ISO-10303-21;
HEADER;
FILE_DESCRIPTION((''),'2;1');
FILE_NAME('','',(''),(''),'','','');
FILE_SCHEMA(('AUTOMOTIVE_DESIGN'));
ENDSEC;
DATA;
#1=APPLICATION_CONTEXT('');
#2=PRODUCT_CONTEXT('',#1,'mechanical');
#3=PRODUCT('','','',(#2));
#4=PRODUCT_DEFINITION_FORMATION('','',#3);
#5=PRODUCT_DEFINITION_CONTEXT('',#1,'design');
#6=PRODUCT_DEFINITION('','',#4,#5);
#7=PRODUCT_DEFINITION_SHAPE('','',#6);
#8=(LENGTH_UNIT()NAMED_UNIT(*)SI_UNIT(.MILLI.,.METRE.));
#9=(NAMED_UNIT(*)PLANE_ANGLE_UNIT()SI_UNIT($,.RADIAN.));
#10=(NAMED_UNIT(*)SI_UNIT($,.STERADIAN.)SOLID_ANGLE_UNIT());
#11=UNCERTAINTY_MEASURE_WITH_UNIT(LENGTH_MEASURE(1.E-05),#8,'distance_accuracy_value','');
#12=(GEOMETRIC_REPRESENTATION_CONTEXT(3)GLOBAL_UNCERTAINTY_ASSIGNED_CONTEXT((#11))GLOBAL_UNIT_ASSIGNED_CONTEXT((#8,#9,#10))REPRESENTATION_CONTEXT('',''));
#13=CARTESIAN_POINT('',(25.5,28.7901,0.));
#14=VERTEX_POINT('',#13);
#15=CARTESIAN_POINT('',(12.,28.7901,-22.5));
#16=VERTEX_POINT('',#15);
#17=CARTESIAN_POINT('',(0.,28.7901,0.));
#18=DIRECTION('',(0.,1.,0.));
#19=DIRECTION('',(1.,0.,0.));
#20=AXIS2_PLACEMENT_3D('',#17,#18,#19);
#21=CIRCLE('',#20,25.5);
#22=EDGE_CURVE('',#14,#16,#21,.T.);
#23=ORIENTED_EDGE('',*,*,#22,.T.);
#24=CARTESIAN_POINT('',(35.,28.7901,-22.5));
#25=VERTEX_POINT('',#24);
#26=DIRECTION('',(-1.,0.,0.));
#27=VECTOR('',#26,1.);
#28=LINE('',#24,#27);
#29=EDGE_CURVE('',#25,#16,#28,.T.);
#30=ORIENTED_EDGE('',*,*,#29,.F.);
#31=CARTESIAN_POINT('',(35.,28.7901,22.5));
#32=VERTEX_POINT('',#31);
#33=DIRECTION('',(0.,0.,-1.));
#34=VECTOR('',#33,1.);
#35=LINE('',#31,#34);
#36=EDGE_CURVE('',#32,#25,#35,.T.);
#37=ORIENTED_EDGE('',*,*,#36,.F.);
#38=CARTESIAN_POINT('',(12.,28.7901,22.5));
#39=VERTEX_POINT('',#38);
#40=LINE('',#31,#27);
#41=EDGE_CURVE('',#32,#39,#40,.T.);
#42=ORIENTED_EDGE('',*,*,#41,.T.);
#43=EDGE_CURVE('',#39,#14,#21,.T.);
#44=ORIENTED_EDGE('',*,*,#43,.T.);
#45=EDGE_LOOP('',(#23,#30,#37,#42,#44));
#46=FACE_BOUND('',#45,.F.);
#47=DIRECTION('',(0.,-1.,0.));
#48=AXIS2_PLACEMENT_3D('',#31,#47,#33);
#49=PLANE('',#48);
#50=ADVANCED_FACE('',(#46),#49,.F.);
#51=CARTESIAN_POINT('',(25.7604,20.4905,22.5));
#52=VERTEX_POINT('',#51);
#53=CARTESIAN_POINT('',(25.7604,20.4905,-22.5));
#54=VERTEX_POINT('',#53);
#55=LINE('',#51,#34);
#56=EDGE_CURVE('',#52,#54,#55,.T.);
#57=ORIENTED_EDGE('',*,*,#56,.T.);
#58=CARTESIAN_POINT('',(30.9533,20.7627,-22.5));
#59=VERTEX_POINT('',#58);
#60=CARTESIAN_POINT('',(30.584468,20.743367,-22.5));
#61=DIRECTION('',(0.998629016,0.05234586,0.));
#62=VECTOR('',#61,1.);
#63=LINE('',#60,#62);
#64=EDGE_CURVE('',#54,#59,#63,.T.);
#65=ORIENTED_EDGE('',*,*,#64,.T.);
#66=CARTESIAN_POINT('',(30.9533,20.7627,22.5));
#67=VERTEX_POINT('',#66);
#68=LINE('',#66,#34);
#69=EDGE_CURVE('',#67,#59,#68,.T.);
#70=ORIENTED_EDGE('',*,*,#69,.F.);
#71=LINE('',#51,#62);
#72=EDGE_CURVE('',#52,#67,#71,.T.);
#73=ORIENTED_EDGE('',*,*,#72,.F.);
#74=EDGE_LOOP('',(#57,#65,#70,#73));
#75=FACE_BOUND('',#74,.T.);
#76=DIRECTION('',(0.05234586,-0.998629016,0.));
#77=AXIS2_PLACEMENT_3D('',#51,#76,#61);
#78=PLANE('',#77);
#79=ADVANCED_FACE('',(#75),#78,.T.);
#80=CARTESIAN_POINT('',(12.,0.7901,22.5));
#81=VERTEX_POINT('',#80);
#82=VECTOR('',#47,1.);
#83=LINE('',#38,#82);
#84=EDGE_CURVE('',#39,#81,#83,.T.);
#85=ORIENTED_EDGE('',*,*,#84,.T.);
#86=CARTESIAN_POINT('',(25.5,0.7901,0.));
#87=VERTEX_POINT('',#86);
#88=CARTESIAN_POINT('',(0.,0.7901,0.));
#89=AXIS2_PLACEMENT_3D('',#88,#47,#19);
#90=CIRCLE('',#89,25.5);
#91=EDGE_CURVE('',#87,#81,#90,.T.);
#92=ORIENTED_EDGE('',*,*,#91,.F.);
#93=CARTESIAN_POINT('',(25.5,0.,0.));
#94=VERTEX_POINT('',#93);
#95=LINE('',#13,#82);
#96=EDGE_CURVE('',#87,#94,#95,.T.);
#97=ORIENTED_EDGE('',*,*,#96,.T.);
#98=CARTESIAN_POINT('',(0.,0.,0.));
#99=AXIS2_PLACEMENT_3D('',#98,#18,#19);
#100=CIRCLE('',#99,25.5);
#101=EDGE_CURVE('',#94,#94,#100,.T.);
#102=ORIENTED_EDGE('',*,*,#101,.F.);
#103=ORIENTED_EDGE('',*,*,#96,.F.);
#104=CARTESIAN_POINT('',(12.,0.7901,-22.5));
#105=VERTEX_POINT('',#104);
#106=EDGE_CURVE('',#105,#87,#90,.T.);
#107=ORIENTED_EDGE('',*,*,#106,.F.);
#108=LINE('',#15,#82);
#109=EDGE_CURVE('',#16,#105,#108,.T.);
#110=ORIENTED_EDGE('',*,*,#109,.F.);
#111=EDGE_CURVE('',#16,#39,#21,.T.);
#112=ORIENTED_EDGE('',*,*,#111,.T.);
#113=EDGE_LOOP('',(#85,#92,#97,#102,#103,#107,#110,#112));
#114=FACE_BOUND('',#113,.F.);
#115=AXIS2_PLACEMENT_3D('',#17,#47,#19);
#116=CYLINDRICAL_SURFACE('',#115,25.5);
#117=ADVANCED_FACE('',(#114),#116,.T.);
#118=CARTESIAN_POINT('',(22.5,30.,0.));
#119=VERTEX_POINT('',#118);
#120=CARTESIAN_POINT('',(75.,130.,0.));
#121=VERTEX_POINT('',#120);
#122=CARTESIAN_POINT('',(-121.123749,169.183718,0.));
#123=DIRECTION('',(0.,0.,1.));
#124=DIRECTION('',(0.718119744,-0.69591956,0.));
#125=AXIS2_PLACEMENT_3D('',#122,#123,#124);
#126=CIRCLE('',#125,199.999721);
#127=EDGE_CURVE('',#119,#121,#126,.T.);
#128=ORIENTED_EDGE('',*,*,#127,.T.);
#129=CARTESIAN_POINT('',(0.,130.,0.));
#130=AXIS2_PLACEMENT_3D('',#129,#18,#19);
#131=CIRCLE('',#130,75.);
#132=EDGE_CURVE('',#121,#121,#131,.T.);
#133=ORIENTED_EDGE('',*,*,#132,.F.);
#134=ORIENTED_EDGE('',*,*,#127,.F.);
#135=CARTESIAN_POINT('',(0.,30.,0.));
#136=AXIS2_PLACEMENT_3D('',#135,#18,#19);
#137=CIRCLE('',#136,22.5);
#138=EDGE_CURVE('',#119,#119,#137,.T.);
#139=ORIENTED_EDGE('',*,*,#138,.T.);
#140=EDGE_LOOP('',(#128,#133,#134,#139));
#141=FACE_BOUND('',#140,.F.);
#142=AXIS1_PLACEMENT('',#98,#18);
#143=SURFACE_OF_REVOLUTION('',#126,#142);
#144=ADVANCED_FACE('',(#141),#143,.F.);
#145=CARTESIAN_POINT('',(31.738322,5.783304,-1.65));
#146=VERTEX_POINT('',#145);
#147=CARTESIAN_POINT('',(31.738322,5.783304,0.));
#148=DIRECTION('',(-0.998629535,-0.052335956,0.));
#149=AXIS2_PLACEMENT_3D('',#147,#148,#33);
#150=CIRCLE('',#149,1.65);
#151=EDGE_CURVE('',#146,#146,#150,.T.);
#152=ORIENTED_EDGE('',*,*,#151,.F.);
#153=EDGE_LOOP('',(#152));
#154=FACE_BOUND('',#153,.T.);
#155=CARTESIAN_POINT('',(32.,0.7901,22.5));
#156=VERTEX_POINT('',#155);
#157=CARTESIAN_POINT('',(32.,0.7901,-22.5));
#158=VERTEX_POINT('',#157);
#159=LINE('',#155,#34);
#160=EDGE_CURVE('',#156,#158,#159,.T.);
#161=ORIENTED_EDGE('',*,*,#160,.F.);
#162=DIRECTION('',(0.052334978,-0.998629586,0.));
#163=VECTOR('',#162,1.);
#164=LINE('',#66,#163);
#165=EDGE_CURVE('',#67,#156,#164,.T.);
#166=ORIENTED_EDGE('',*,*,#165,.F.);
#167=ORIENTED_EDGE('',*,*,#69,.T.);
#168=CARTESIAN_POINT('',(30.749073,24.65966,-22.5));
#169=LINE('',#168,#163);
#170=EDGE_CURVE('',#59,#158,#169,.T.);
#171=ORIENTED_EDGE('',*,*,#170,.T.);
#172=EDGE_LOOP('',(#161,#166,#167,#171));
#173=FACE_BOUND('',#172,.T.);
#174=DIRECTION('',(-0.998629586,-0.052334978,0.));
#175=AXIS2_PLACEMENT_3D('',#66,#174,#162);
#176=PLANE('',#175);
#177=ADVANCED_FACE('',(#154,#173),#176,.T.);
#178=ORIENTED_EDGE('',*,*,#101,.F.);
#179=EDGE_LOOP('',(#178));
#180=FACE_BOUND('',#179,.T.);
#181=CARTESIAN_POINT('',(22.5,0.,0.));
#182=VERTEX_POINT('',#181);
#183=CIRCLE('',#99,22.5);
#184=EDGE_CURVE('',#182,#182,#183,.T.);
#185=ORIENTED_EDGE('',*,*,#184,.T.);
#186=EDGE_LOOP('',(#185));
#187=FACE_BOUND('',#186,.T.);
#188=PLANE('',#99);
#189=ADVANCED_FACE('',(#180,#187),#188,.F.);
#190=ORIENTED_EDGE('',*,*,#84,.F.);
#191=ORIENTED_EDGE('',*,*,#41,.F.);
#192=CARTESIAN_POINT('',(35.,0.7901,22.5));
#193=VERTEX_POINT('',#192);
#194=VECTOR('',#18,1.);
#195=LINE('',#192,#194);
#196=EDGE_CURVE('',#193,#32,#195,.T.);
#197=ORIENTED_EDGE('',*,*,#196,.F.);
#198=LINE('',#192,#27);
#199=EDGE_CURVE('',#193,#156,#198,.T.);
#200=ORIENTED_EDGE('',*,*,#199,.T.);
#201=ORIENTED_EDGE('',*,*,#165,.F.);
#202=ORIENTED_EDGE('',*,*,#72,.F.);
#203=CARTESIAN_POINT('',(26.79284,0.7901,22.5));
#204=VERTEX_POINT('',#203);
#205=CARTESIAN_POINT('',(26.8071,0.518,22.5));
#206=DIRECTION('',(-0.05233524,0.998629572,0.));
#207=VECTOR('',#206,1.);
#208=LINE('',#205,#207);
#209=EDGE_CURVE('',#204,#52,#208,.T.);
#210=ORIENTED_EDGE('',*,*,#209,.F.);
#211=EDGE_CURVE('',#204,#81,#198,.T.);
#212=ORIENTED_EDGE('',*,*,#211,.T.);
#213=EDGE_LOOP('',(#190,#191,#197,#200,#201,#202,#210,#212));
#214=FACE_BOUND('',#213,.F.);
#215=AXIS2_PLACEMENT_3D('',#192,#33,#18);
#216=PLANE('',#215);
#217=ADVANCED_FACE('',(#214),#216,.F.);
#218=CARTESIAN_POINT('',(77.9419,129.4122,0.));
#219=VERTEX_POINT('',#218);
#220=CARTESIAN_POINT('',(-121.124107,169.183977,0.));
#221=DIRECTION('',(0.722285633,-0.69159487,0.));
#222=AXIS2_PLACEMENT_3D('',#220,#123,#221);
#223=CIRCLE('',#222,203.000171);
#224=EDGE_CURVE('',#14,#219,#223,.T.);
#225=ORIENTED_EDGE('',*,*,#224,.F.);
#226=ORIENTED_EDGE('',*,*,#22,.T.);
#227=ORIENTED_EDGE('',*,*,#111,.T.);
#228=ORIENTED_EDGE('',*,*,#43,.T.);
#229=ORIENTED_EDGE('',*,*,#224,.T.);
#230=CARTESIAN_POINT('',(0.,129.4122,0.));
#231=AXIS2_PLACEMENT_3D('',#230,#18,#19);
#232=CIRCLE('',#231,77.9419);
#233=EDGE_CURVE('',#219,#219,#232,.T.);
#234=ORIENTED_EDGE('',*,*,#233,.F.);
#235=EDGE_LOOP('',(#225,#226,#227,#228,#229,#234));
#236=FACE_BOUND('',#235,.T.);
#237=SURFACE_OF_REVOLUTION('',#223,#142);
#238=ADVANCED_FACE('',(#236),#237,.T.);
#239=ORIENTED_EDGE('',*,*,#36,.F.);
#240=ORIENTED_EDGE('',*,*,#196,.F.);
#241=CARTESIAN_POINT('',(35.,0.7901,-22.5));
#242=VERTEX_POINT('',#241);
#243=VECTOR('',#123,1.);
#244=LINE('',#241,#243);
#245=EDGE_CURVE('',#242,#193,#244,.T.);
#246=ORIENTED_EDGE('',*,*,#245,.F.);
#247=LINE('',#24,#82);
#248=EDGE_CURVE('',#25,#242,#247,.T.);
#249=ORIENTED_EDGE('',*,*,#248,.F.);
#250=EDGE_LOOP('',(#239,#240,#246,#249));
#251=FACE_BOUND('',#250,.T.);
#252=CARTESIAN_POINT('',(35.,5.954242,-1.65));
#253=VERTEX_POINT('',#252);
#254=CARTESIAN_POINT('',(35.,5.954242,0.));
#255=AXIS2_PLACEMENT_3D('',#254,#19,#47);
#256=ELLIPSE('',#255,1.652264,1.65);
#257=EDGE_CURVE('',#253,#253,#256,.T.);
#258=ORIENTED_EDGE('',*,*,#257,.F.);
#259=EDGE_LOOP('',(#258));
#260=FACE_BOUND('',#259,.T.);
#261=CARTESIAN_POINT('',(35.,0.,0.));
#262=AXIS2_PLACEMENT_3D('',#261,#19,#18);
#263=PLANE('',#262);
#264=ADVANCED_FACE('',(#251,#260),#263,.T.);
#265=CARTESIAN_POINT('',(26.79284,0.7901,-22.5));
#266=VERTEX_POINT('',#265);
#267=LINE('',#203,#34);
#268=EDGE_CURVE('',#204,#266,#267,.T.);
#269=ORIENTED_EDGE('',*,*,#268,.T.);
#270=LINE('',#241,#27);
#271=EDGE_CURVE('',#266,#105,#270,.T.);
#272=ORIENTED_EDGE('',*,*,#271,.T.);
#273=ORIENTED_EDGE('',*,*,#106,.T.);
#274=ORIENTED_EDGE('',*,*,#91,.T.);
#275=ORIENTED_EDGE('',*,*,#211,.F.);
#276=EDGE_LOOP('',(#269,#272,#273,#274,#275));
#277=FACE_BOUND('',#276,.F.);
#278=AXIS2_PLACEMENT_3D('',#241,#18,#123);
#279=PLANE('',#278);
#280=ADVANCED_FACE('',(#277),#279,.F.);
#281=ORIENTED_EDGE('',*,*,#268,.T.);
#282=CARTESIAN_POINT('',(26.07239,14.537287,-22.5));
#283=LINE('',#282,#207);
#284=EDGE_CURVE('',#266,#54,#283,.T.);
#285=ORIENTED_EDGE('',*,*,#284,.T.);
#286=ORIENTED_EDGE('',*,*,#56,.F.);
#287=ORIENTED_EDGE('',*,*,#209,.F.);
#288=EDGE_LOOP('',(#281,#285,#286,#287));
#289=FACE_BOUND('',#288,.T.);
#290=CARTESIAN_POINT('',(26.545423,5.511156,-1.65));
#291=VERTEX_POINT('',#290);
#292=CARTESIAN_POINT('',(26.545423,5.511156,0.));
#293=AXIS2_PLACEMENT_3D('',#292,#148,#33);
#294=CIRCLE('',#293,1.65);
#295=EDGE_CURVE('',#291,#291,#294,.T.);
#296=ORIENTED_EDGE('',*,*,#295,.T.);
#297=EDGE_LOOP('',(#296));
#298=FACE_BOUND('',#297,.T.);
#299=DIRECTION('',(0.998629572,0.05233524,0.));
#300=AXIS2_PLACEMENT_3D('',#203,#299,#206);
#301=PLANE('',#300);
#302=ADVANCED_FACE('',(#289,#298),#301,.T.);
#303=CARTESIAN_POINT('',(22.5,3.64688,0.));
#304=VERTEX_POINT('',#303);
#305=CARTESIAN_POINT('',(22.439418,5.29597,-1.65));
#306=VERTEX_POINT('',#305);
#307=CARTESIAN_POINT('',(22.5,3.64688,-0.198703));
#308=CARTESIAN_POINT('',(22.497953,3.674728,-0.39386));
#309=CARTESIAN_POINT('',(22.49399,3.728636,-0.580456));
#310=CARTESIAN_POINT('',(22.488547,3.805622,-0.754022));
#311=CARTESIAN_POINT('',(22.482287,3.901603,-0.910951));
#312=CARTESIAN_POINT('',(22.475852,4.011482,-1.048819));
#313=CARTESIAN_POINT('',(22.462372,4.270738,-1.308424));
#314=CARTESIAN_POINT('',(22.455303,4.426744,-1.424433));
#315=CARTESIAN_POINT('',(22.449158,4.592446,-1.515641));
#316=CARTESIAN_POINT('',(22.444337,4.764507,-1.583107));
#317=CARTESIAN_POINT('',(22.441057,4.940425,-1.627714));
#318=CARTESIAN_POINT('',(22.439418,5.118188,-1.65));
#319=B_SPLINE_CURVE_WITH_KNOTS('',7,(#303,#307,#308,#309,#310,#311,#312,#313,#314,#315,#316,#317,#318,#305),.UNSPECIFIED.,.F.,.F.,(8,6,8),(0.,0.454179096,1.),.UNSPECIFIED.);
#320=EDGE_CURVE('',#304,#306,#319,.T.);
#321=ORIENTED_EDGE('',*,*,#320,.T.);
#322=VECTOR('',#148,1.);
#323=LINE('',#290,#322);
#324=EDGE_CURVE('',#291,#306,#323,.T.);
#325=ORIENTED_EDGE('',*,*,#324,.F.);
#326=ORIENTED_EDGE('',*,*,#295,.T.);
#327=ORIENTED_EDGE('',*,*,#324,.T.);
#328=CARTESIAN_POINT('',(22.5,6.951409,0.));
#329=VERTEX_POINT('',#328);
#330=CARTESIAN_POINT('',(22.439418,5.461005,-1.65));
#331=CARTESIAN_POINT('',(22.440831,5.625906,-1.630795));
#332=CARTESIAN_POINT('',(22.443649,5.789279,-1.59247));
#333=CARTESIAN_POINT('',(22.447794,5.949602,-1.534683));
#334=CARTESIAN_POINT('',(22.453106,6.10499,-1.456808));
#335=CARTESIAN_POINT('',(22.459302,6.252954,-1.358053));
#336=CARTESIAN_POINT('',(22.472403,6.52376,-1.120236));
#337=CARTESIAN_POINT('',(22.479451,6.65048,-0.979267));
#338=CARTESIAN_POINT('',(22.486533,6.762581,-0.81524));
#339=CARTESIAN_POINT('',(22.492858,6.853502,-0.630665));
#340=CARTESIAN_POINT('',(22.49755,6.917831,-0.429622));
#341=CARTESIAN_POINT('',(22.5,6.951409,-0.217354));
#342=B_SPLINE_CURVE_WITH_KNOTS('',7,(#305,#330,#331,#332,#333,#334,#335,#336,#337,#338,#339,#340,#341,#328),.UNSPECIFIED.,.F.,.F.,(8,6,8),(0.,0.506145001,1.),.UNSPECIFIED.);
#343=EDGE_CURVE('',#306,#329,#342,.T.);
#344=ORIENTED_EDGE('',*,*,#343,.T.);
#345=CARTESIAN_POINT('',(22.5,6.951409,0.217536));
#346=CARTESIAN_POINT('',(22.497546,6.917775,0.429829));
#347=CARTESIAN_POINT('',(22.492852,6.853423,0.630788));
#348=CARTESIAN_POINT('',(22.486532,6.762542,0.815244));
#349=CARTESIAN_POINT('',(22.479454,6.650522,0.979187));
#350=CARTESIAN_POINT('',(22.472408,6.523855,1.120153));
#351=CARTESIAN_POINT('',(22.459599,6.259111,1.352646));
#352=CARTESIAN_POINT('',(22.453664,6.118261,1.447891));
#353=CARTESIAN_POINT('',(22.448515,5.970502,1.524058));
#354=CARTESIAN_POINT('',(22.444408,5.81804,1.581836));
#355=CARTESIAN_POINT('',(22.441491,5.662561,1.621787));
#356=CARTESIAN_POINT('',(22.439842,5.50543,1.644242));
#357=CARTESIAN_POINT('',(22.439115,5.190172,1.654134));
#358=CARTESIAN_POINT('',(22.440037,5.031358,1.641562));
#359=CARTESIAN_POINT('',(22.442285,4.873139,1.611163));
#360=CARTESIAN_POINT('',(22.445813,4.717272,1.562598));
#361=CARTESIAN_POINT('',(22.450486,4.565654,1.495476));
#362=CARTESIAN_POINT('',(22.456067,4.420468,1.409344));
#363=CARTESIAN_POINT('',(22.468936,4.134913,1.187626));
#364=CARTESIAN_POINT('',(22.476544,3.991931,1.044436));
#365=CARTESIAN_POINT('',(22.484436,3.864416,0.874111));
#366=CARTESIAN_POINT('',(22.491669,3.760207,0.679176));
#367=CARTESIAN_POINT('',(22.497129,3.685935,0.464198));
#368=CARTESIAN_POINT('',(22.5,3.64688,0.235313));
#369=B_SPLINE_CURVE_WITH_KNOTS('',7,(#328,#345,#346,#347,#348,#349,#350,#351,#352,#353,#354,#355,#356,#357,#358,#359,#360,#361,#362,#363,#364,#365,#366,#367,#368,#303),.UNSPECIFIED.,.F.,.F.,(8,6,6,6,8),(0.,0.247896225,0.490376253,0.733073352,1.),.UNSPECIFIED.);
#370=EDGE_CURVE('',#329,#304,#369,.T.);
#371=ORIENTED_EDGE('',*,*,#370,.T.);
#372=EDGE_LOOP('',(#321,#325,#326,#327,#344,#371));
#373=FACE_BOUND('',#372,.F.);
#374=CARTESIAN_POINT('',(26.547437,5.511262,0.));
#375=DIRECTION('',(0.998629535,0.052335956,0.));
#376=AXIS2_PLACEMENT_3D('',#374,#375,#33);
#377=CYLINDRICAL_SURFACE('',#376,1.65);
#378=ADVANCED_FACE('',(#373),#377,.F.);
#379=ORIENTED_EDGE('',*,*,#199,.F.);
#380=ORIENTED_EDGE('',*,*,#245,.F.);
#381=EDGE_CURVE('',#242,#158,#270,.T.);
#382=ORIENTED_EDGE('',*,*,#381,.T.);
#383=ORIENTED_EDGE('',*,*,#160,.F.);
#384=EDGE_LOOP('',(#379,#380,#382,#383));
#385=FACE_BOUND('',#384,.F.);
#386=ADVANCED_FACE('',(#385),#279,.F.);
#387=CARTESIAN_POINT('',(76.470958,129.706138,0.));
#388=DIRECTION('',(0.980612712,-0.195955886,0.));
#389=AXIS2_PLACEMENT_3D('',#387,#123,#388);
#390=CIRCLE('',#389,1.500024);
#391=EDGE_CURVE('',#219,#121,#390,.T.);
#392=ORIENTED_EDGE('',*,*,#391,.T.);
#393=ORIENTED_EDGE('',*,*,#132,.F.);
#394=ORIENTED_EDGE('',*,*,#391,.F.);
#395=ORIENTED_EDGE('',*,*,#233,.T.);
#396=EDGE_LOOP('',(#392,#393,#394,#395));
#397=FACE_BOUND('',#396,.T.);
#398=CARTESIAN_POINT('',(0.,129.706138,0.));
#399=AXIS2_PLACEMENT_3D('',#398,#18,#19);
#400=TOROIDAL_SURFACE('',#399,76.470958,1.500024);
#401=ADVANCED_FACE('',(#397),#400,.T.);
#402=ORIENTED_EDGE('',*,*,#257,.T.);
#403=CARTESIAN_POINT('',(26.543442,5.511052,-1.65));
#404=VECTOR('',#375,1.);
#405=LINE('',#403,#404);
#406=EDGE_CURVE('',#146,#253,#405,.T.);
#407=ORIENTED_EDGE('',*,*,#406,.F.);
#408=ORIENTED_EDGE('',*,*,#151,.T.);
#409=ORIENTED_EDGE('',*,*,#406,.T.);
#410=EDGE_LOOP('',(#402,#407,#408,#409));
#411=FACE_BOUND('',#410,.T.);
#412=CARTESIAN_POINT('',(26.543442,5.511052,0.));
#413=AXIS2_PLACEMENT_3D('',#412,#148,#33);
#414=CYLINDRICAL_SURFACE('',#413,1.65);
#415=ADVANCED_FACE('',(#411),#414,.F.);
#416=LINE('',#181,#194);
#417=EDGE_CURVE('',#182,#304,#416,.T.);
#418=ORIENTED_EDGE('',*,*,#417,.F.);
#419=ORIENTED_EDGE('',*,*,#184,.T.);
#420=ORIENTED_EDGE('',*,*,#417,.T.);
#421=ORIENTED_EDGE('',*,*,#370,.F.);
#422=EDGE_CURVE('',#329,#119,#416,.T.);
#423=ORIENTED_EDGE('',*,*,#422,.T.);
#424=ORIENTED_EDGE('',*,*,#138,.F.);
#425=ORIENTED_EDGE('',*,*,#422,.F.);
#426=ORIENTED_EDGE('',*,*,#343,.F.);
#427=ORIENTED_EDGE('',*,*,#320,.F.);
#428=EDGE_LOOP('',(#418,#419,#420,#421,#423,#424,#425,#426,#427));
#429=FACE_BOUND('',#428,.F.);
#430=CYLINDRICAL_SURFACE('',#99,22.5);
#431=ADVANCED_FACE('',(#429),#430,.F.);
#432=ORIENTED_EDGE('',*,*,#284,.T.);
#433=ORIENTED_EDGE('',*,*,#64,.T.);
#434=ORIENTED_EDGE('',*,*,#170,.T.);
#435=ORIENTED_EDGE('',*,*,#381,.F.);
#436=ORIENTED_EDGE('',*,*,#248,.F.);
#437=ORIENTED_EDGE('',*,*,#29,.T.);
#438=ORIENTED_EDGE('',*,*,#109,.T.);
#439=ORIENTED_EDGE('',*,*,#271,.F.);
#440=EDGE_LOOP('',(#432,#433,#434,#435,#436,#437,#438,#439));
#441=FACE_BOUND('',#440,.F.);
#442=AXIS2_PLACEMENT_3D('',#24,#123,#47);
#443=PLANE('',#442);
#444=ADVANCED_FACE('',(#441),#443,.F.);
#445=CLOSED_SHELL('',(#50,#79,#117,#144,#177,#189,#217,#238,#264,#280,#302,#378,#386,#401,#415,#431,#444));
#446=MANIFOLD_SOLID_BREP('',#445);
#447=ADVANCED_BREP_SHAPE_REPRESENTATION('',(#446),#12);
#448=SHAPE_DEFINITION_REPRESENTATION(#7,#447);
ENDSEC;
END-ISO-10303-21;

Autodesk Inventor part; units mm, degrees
ref_plane "XZ Plane" through (0, 0, 0) normal (0, 1, 0) x (-1, 0, 0)
ref_plane "XY Plane" through (0, 0, 0) normal (0, 0, 1) x (1, 0, 0)
sketch "Sketch1" plane through (0, 0, 0) normal (0, 0, 1) x (1, 0, 0)
  line L0 (0, 0) -> (0, 130)
  line L1 (22.5, 0) -> (22.5, 30)
  arc A0 (22.5, 30) -> (75, 130) centre (-121.124, 169.1839) ccw
  arc A1 (25.5, 28.7901) -> (77.9419, 129.4122) centre (-121.124, 169.1839) ccw
  line L2 (25.5, 28.7901) -> (25.5, 0)
  arc A2 (77.9419, 129.4122) -> (75, 130) centre (76.4709, 129.7061) ccw
  line L3 (22.5, 0) -> (25.5, 0)
  dimension "d0" = 30
  dimension "d1" = 200
  dimension "d2" = 100
  dimension "d3" = 45
  dimension "d4" = 150
  dimension "d5" = 3
revolve "Revolution1" add sketch "Sketch1" angle 360 about axis through (0, 0, 0) along (0, 1, 0)
ref_plane "Work Plane1" through (35, 0, 0) normal (1, 0, 0) x (0, 1, 0)
sketch "Sketch2" plane through (35, 0, 0) normal (1, 0, 0) x (0, 1, 0)
  line L0 (0.7901, 22.5) -> (28.7901, 22.5)
  line L1 (28.7901, 22.5) -> (28.7901, -22.5)
  line L2 (28.7901, -22.5) -> (0.7901, -22.5)
  line L3 (0.7901, -22.5) -> (0.7901, 22.5)
  line L4 (0.7901, 22.5) -> (28.7901, -22.5) construction
  line L5 (28.7901, 22.5) -> (0.7901, -22.5) construction
  line L6 (28.7901, -25.5) -> (28.7901, 25.5) projected
  point P0 (0, 0)
  point P1 (14.7901, 0)
  point P2 (28.7901, 0)
  point P3 (28.7901, 0)
  dimension "d16" = 0
  dimension "d8" = 45
  dimension "d9" = 28
extrude "Extrusion1" add sketch "Sketch2" against normal up to next
sketch "Sketch3" plane through (35, 0.7901, 22.5) normal (0, 0, 1) x (1, 0, 0)
  line L0 (-4.0467, 19.9726) -> (-3, 0)
  line L1 (-3, 0) -> (-8.1929, -0.2721)
  line L2 (-8.1929, -0.2721) -> (-9.2396, 19.7004)
  line L3 (-9.2396, 19.7004) -> (-4.0467, 19.9726)
  line L4 (-4.0467, 19.9726) -> (-8.1929, -0.2721) construction
  line L5 (-3, 0) -> (-9.2396, 19.7004) construction
  line L6 (0, 28) -> (0, 0) projected
  line L7 (0, 0) -> (-23, 0) projected
  point P0 (-35, -0.7901)
  point P1 (-6.1198, 9.8502)
  point P2 (-6.1198, 9.8502)
  point P3 (0, 14)
  point P4 (-8.2071, 0)
  dimension "d12" = 93
  dimension "d13" = 5.2
  dimension "d14" = 20
  dimension "d15" = 3
extrude "Extrusion2" cut sketch "Sketch3" against normal through all contours L0 L7 L2 L3
sketch "Sketch4" plane through (25.7604, 20.4906, 22.5) normal (0.9986, 0.0523, 0) x (0, 0, -1)
  circle A0 centre (22.5, -15) radius 1.65
  line L0 (45, -19.7275) -> (0, -19.7275) projected
  line L1 (0, 0) -> (45, 0) projected
  point P0 (22.5, -19.1143)
  point P1 (22.5, -19.7275)
  dimension "d18" = 3.3
  dimension "d19" = 15
extrude "Extrusion3" cut sketch "Sketch4" along normal mid plane 25
properties part number "Cone FV"
